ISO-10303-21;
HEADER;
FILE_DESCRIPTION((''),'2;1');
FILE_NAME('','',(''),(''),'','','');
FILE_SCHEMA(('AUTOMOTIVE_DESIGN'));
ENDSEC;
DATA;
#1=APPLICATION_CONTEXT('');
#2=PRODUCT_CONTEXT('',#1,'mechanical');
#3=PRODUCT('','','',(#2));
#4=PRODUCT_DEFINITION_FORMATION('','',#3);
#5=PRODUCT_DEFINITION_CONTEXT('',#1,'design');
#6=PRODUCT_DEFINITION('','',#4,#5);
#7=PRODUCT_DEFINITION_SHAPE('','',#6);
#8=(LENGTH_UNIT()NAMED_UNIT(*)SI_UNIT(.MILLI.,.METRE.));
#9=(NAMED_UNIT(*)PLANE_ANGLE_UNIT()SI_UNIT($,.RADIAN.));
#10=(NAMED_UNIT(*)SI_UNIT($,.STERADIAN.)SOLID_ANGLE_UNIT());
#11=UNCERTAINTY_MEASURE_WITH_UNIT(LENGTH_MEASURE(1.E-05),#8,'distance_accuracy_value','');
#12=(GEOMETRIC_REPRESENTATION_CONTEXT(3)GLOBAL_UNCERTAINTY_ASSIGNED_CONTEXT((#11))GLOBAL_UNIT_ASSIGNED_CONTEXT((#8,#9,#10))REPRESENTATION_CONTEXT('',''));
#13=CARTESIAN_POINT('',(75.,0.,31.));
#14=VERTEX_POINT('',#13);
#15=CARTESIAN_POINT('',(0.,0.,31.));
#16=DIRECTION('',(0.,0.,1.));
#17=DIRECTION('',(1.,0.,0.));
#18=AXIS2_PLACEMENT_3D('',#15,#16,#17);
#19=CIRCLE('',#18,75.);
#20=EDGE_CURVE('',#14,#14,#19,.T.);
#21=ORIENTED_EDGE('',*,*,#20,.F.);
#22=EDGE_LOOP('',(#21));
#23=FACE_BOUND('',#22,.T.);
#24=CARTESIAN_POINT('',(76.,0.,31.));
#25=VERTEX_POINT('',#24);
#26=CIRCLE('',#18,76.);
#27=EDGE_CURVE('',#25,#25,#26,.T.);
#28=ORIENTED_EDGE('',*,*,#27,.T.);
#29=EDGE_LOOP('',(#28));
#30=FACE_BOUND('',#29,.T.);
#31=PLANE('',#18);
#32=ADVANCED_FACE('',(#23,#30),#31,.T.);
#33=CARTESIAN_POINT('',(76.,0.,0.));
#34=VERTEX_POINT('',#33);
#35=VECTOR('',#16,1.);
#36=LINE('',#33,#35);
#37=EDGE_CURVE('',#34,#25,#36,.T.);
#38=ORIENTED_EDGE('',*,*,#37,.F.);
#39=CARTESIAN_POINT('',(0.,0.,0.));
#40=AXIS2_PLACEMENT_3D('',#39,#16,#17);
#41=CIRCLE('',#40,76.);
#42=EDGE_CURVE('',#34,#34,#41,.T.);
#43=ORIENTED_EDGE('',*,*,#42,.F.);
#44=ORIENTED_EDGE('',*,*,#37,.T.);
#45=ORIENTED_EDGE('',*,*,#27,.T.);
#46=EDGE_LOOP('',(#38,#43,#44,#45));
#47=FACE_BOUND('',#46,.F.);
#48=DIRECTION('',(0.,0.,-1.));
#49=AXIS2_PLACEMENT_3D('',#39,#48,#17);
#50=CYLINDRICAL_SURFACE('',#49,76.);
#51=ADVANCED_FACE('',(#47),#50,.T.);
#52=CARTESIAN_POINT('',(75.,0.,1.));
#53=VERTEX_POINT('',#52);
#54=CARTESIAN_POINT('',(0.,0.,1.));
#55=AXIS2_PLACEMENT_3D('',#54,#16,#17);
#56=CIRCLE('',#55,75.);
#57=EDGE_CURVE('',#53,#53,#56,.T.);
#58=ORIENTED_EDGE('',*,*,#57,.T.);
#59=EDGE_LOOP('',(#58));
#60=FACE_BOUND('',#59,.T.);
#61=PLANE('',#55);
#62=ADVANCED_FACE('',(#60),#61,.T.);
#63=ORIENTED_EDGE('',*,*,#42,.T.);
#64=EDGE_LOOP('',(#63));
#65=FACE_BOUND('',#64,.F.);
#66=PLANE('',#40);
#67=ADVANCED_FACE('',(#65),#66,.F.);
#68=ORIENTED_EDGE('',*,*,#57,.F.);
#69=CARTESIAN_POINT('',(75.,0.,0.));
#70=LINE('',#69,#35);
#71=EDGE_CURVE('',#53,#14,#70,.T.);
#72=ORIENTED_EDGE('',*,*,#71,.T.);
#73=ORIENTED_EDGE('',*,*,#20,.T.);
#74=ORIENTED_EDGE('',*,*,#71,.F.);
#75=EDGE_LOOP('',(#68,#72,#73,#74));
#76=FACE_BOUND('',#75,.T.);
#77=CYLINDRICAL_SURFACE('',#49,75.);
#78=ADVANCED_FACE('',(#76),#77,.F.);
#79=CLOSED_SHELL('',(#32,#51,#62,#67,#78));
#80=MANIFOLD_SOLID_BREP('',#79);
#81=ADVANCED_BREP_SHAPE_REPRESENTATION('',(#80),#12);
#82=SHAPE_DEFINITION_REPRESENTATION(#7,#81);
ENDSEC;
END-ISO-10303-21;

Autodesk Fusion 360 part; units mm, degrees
sketch "スケッチ1" plane through (0, 0, 0) normal (0, 0, 1) x (1, 0, 0)
  circle A0 centre (0, 0) radius 75
  circle A1 centre (0, 0) radius 76
  dimension "d1" = 150
  dimension "d2" = 152
extrude "押し出し1" add sketch "スケッチ1" along normal blind 31
extrude "押し出し2" add sketch "スケッチ1" along normal blind 1 contours A0
